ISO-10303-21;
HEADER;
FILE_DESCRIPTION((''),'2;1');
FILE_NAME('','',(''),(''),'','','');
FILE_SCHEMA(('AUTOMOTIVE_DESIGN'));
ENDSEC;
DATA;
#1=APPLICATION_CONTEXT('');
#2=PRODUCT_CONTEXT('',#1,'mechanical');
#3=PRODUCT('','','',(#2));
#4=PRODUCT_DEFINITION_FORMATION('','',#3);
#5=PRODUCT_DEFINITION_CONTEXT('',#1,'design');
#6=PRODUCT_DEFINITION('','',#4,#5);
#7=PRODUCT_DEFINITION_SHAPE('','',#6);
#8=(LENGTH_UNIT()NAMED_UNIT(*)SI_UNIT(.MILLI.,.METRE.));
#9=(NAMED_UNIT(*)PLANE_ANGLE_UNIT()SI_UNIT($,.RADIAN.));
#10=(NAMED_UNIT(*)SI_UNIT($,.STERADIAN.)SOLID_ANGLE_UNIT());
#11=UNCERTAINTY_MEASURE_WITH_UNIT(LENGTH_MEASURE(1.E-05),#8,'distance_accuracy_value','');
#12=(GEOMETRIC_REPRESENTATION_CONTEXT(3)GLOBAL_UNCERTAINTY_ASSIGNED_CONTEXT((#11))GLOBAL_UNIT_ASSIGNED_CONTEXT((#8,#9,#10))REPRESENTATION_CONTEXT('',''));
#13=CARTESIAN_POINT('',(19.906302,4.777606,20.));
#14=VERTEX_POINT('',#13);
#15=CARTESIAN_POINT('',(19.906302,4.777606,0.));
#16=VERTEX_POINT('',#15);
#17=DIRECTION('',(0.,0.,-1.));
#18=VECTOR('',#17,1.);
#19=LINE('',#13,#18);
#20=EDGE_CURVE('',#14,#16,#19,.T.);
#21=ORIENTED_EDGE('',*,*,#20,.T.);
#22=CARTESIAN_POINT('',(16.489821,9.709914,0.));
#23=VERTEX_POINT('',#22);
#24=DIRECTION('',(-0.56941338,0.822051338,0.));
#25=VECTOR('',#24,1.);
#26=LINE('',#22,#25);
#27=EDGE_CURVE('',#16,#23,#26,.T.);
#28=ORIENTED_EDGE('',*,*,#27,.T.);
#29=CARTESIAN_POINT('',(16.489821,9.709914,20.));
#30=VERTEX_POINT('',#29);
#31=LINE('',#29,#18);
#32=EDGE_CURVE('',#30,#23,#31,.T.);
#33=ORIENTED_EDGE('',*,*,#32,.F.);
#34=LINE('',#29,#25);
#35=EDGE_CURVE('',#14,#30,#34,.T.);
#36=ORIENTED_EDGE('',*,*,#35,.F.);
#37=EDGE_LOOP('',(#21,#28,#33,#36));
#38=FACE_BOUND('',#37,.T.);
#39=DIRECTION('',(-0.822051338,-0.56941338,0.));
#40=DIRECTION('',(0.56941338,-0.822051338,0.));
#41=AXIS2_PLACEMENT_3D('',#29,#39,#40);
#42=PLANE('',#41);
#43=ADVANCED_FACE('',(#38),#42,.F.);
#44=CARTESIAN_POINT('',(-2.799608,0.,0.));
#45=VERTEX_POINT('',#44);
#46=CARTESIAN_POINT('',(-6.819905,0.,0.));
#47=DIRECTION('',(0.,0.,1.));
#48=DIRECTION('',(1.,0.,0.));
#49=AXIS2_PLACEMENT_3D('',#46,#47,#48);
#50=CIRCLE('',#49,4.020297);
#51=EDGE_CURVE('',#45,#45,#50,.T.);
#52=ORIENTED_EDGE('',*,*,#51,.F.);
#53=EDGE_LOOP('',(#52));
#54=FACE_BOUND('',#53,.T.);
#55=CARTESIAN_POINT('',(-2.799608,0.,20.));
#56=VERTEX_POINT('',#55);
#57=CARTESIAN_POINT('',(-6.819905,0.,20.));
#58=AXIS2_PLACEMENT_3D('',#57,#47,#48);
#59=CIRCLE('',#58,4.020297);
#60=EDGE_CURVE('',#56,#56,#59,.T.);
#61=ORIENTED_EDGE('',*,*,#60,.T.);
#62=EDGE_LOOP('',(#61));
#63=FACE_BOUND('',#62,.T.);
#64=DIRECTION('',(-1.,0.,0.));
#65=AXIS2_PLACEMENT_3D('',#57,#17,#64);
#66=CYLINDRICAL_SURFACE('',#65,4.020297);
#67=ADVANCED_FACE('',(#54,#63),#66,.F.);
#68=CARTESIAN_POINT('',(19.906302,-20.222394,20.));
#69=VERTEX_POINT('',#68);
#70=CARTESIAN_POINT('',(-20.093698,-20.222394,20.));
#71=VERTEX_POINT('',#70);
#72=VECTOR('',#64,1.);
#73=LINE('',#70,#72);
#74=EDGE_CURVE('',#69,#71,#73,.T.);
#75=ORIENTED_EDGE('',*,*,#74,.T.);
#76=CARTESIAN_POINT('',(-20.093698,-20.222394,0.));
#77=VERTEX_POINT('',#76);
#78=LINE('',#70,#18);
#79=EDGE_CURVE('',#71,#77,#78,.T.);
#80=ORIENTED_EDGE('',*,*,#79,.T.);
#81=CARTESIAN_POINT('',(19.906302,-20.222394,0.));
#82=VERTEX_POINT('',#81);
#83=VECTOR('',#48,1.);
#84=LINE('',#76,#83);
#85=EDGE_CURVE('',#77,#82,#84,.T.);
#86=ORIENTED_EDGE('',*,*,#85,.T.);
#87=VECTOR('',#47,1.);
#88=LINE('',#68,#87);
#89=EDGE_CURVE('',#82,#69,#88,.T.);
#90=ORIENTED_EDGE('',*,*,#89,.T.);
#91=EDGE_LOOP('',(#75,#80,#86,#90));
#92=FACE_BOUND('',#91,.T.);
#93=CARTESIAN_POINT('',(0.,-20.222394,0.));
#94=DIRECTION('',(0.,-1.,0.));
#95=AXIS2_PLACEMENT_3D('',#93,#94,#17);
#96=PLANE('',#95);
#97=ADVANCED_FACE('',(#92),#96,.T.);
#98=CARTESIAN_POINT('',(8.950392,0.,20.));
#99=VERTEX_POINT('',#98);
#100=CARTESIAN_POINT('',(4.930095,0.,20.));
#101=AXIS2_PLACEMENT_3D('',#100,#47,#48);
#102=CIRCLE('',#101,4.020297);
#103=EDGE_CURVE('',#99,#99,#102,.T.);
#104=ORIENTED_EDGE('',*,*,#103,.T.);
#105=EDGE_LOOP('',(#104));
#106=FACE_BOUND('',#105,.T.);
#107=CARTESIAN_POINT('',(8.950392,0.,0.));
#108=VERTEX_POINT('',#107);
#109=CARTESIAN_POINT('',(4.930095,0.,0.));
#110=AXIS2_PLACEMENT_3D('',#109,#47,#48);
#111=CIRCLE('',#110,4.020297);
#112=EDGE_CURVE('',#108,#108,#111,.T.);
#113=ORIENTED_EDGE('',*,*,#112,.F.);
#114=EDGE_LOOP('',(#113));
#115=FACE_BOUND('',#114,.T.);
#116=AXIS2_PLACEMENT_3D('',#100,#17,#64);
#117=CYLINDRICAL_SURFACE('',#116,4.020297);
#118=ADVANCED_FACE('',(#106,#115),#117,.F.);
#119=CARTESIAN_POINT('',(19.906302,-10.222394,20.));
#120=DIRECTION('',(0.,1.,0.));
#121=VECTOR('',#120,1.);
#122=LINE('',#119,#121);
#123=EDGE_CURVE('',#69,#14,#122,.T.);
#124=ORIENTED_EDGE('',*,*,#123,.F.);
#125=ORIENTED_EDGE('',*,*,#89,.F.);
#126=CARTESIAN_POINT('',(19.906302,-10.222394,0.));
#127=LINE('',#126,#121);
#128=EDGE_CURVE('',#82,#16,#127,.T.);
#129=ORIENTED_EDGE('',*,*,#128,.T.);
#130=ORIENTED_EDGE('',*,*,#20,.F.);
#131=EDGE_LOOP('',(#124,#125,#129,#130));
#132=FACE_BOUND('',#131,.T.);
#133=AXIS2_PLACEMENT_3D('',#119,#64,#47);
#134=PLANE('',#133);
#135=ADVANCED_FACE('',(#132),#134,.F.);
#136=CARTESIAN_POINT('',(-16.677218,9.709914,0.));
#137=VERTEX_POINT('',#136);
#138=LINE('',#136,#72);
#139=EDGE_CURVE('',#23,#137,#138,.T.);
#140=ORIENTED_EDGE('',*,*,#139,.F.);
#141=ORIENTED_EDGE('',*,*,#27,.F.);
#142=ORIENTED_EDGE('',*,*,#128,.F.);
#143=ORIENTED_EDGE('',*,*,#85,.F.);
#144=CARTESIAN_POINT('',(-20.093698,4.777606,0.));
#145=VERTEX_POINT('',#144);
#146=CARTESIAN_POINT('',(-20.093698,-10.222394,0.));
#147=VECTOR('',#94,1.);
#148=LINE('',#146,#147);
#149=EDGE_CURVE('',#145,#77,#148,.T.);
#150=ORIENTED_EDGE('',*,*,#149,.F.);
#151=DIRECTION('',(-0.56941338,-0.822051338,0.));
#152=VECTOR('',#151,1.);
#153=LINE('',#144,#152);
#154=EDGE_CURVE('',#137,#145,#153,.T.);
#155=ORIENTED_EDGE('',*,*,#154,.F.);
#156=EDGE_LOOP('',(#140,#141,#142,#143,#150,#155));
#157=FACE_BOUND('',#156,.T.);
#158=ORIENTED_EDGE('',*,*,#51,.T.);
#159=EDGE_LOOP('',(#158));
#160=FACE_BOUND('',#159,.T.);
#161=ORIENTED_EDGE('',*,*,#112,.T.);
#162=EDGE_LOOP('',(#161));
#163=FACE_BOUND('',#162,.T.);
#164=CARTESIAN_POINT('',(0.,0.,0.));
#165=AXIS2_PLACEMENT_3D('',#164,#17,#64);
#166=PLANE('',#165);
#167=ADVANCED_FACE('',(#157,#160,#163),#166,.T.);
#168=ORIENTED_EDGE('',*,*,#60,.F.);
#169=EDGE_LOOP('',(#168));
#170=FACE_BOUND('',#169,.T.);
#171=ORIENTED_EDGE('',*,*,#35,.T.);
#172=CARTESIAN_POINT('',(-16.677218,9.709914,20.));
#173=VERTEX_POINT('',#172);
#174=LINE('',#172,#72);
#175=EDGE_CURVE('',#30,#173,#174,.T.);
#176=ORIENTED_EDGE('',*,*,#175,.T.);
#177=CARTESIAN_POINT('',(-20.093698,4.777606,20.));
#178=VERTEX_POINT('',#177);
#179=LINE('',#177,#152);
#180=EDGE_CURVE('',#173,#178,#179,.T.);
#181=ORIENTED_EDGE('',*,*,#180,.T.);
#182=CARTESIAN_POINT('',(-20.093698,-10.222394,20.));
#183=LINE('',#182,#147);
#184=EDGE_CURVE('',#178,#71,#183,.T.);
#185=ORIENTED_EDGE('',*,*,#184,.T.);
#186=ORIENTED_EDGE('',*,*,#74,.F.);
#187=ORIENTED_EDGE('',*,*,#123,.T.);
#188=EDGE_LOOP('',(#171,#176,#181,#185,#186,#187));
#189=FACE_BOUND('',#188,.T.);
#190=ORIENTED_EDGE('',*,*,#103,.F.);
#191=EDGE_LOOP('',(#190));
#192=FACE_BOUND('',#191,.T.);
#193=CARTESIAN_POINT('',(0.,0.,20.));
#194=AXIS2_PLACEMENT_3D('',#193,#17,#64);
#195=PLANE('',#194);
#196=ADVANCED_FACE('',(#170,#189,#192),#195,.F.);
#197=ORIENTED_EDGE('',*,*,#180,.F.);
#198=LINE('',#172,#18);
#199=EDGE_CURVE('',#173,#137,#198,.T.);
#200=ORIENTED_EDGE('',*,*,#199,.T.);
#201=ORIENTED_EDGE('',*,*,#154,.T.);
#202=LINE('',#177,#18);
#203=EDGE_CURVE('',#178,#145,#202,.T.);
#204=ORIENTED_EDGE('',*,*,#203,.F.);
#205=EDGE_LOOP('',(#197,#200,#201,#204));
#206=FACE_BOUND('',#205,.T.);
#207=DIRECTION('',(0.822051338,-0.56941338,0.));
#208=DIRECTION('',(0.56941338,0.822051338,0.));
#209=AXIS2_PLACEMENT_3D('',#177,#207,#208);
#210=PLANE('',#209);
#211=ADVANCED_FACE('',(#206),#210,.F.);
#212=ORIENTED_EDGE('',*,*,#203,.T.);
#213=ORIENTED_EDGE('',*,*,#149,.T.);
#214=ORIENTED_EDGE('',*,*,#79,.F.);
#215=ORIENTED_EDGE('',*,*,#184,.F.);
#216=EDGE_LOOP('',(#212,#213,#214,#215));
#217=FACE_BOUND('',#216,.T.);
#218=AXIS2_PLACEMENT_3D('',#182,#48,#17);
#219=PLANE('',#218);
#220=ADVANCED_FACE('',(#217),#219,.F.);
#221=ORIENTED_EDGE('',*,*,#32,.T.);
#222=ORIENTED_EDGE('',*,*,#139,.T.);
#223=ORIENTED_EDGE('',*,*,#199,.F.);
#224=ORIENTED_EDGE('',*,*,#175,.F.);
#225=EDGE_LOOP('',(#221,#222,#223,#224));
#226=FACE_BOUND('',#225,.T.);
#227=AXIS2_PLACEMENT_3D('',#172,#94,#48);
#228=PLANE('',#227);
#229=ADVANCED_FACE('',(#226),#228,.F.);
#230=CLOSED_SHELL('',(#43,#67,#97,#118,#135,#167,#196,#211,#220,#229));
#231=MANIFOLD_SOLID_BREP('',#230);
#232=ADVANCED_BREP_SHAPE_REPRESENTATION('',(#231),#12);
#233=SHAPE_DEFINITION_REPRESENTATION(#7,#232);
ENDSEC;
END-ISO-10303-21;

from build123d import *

# Parameters (mm, degrees)
ESBO_O1_R                = 4.020297227
RESSALTO_EXTRUS_O1_DEPTH = 20
ESBO_O2_W                = 40
ESBO_O2_H                = 20
RESSALTO_EXTRUS_O2_DEPTH = 10


with BuildPart() as part:
    # Esboço1 → Ressalto-extrusão1 (new body)
    with BuildSketch(Plane.XY):
        Polygon((19.906301529, -10.222394025), (-20.093698471, -10.222394025), (-20.093698471, 4.777605975), (-16.677218189, 9.709914003), (16.489821246, 9.709914003), (19.906301529, 4.777605975), align=None)
        with Locations((-6.819904998, 0)):
            Circle(ESBO_O1_R, mode=Mode.SUBTRACT)
        with Locations((4.930095002, 0)):
            Circle(ESBO_O1_R, mode=Mode.SUBTRACT)
    extrude(amount=RESSALTO_EXTRUS_O1_DEPTH)

    # Esboço2 → Ressalto-extrusão2 (add)
    with BuildSketch(Plane.XZ.offset(10.222394025)):
        with Locations((-0.093698471, 10)):
            Rectangle(ESBO_O2_W, ESBO_O2_H)
    extrude(amount=RESSALTO_EXTRUS_O2_DEPTH)


solid = part.part
